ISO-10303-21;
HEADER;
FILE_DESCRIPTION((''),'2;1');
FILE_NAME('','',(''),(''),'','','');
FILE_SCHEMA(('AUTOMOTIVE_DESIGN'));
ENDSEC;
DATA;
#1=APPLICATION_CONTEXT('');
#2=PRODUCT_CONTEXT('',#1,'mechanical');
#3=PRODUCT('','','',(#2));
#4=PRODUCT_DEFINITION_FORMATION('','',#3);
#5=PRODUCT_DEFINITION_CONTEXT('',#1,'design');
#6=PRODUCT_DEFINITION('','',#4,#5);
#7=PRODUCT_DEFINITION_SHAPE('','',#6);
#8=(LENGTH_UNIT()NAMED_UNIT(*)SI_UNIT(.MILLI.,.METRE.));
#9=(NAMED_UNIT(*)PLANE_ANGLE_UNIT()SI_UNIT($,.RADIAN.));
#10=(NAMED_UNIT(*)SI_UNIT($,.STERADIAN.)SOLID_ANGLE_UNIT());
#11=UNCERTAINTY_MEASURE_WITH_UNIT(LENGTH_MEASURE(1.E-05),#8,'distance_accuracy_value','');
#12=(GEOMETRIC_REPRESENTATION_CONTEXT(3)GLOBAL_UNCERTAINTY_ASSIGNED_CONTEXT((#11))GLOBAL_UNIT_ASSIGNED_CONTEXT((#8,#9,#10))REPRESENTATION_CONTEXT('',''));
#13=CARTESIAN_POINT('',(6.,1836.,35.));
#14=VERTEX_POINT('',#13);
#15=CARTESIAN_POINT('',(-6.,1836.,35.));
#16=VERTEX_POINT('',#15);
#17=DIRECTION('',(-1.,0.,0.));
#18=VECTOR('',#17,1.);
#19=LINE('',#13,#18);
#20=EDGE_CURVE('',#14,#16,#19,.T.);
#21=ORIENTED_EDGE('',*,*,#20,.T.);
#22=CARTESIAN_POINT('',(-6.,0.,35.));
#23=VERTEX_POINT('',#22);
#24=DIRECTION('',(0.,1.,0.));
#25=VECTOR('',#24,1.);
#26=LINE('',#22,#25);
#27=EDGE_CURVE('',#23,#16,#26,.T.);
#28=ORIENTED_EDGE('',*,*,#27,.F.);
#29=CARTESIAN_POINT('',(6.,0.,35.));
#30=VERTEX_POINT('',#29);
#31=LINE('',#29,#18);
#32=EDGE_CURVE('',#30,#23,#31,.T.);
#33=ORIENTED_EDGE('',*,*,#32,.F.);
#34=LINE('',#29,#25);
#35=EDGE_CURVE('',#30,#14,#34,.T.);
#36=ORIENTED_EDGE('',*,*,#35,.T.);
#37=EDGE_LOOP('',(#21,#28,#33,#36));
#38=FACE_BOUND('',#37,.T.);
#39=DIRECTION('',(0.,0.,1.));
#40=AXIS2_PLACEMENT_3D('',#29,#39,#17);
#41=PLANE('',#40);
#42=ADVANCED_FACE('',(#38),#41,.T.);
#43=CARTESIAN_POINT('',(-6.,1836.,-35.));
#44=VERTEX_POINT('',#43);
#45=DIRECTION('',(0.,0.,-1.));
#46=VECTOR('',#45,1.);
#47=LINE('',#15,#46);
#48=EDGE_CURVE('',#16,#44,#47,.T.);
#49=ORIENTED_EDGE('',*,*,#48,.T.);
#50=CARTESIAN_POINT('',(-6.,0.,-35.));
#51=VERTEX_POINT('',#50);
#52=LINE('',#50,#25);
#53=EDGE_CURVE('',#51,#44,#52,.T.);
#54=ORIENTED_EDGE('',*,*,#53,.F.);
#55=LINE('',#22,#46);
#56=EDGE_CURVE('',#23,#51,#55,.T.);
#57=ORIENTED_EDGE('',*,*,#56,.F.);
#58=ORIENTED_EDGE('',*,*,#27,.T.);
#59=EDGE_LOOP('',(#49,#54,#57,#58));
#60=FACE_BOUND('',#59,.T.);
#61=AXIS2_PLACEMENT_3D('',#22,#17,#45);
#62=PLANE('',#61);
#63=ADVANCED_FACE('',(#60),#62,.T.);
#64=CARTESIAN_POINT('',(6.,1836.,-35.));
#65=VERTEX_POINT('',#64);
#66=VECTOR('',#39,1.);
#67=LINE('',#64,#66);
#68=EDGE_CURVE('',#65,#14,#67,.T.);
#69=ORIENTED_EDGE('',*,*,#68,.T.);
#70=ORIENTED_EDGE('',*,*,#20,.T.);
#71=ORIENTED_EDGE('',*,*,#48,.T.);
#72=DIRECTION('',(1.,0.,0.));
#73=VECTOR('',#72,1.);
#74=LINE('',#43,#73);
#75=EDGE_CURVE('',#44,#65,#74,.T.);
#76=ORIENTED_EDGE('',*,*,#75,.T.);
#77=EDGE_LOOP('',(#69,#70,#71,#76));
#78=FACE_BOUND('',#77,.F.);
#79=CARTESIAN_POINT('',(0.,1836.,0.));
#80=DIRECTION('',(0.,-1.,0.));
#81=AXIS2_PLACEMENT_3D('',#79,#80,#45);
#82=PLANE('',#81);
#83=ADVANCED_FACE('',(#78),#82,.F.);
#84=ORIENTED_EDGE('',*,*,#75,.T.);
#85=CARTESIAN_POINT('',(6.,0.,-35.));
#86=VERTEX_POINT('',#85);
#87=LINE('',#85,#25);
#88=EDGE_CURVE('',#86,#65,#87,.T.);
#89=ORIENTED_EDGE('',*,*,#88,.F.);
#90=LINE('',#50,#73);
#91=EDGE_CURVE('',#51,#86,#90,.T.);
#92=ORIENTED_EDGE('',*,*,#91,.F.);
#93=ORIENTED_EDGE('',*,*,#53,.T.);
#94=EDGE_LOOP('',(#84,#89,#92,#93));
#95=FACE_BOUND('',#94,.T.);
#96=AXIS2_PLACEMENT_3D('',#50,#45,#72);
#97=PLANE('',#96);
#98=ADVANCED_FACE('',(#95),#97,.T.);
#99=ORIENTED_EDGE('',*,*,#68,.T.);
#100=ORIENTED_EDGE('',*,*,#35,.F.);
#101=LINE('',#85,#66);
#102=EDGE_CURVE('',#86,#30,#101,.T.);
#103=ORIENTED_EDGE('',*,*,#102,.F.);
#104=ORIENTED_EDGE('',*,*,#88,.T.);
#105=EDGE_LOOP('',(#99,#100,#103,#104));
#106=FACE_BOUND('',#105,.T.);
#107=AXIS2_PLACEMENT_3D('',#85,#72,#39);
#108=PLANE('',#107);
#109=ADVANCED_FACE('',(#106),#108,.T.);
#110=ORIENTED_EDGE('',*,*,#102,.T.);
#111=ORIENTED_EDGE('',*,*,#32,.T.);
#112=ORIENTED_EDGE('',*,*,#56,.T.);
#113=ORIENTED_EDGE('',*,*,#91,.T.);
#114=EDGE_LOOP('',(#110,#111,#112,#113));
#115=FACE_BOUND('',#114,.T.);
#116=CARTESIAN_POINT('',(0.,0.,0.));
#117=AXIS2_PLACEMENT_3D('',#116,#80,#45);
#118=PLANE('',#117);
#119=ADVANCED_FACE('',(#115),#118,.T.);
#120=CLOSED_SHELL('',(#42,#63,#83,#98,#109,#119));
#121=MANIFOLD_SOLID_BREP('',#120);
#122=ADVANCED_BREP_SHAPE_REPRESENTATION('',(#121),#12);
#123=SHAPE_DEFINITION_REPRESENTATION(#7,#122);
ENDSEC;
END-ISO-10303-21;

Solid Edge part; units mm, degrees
sketch "Sketch1" plane through (0, 0, 0) normal (0, -1, 0) x (1, 0, 0)
  line L0 (-6, -35) -> (6, -35)
  line L1 (6, -35) -> (6, 35)
  line L2 (6, 35) -> (-6, 35)
  line L3 (-6, 35) -> (-6, -35)
extrude "Protrusion1" add sketch "Sketch1" against normal blind 1836
